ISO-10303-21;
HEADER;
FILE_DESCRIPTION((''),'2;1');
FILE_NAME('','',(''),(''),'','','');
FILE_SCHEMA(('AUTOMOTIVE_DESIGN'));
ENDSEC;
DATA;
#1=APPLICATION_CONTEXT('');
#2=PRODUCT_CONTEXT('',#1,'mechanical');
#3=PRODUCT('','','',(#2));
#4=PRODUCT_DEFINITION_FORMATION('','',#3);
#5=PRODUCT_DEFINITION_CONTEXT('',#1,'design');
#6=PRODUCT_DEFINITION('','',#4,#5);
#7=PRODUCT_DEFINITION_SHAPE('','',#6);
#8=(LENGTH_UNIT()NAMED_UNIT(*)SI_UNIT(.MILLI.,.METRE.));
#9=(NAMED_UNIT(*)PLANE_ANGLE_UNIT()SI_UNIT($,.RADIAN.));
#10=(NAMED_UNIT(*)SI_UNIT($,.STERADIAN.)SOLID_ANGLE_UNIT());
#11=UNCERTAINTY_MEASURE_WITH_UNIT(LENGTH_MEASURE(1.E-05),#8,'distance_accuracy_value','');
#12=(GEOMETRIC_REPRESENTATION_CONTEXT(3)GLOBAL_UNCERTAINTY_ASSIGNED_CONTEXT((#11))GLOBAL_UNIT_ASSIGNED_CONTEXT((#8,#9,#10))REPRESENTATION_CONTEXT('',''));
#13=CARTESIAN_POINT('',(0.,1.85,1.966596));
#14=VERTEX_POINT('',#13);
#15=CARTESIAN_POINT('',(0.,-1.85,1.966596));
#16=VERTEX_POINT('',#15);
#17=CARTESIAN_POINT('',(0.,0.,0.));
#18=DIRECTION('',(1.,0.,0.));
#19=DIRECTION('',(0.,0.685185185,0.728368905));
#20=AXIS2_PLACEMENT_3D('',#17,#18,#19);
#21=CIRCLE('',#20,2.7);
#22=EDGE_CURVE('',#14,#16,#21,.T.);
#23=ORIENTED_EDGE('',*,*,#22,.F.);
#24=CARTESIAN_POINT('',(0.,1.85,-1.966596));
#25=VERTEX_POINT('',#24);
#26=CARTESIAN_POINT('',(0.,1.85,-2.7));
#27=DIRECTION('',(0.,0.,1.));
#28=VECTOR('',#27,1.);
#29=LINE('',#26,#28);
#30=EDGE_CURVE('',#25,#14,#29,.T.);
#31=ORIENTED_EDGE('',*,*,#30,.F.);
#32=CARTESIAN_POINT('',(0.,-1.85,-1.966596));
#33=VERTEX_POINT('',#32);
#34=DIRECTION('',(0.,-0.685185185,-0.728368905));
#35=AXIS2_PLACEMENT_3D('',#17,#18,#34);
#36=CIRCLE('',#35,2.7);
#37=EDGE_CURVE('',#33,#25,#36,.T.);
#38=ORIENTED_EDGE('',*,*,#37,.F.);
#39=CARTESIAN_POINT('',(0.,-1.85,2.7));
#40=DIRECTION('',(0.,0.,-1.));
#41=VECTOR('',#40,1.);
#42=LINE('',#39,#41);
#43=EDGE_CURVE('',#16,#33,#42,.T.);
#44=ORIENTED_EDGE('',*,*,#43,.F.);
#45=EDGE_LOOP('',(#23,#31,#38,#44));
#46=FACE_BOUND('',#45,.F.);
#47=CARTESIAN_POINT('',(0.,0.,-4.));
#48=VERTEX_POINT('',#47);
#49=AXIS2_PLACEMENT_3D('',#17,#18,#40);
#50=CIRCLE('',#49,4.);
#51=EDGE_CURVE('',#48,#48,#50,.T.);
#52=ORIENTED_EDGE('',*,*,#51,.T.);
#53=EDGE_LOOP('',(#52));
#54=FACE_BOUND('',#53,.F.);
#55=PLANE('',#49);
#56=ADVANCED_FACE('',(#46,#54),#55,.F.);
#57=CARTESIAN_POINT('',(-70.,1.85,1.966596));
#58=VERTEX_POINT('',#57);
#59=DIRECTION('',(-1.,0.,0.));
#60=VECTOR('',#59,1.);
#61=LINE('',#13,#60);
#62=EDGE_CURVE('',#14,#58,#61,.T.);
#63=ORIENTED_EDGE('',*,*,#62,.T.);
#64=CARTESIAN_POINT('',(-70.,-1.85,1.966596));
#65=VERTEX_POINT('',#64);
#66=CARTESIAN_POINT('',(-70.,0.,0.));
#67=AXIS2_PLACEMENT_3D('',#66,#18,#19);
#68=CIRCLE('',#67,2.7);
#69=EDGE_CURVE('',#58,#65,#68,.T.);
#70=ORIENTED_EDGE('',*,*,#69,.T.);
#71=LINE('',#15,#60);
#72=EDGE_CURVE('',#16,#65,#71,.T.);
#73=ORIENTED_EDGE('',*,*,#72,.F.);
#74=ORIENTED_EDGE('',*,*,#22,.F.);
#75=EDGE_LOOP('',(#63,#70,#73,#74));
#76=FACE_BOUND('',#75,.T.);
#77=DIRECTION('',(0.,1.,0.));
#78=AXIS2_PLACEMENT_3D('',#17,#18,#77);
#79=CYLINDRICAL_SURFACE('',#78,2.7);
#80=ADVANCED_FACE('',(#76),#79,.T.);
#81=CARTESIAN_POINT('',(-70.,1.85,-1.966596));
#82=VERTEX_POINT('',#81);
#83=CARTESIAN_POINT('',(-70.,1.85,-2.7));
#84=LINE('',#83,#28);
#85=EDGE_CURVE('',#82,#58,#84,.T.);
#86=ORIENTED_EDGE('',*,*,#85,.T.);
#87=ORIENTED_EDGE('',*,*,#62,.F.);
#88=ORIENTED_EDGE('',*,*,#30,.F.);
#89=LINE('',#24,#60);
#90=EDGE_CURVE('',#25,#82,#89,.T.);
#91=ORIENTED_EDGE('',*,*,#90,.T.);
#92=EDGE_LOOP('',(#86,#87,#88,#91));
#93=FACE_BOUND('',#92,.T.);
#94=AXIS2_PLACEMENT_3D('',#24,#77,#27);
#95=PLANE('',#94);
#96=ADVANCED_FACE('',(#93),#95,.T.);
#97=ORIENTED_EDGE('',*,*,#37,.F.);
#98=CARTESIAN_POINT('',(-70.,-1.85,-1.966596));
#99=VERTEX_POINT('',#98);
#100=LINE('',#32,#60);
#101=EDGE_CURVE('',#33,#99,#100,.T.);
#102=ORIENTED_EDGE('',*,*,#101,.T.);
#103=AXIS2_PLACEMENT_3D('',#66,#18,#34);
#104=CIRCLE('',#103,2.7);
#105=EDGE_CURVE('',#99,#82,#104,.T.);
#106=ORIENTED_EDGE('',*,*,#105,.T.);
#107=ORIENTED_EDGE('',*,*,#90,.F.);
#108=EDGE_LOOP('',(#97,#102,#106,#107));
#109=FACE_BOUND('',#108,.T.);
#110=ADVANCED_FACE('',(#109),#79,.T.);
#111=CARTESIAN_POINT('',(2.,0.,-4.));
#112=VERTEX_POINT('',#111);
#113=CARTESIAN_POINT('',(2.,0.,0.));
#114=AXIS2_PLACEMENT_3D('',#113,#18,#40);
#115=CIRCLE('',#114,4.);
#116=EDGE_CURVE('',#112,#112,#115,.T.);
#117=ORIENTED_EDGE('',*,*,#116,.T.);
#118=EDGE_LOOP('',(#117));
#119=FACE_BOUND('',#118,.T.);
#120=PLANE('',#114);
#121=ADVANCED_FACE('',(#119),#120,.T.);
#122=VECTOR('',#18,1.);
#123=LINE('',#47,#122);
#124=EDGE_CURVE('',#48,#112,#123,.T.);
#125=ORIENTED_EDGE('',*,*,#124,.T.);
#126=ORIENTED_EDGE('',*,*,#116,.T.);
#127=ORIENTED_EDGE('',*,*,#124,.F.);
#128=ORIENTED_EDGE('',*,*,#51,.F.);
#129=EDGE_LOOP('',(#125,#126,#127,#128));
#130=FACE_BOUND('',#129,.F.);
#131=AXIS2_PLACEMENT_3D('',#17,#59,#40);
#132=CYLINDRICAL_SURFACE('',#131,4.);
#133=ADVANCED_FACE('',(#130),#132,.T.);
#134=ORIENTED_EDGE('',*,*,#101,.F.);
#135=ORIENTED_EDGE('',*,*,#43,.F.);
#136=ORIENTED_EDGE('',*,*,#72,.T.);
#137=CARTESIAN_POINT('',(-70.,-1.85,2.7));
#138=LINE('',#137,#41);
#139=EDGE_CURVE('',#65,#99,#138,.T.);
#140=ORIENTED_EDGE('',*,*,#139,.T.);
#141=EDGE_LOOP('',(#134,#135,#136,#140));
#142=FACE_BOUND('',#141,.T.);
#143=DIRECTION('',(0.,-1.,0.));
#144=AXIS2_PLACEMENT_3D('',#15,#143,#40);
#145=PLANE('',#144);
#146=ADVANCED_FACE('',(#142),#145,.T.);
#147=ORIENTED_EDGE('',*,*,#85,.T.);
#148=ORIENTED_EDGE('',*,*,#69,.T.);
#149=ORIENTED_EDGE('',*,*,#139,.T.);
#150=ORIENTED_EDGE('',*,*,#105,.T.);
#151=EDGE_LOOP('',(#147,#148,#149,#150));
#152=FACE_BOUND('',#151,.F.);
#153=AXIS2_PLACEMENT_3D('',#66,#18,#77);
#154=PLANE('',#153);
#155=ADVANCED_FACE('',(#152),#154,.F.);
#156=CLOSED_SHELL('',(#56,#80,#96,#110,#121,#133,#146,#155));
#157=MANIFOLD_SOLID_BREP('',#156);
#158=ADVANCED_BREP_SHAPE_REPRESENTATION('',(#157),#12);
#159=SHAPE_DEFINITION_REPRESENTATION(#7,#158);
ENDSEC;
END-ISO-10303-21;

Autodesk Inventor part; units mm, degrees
ref_plane "YZ Plane" through (0, 0, 0) normal (1, 0, 0) x (0, 1, 0)
ref_plane "XZ Plane" through (0, 0, 0) normal (0, 1, 0) x (-1, 0, 0)
ref_plane "XY Plane" through (0, 0, 0) normal (0, 0, 1) x (1, 0, 0)
sketch "Sketch1" plane through (0, 0, 0) normal (1, 0, 0) x (0, 1, 0)
  circle A0 centre (0, 0) radius 2.7
  line L0 (-1.85, -2.7) -> (1.85, -2.7)
  line L1 (1.85, -2.7) -> (1.85, 2.7)
  line L2 (1.85, 2.7) -> (-1.85, 2.7)
  line L3 (-1.85, 2.7) -> (-1.85, -2.7)
  line L4 (-1.85, -2.7) -> (1.85, 2.7) construction
  line L5 (1.85, -2.7) -> (-1.85, 2.7) construction
  point P0 (-1.85, 1.9666)
  point P1 (-1.85, -1.9666)
  point P2 (1.85, -1.9666)
  point P3 (1.85, 1.9666)
  dimension "d0" = 5.4
  dimension "d1" = 3.7
  dimension "d2" = 5.4
extrude "Extrusion1" add sketch "Sketch1" against normal blind 70 contours L1 A0 L3
sketch "Sketch2" plane through (0, 0, 0) normal (1, 0, 0) x (0, 0, -1)
  circle A0 centre (0, 0) radius 4
extrude "Extrusion2" add sketch "Sketch2" along normal blind 2
properties part number "Axle_3DPrint"
